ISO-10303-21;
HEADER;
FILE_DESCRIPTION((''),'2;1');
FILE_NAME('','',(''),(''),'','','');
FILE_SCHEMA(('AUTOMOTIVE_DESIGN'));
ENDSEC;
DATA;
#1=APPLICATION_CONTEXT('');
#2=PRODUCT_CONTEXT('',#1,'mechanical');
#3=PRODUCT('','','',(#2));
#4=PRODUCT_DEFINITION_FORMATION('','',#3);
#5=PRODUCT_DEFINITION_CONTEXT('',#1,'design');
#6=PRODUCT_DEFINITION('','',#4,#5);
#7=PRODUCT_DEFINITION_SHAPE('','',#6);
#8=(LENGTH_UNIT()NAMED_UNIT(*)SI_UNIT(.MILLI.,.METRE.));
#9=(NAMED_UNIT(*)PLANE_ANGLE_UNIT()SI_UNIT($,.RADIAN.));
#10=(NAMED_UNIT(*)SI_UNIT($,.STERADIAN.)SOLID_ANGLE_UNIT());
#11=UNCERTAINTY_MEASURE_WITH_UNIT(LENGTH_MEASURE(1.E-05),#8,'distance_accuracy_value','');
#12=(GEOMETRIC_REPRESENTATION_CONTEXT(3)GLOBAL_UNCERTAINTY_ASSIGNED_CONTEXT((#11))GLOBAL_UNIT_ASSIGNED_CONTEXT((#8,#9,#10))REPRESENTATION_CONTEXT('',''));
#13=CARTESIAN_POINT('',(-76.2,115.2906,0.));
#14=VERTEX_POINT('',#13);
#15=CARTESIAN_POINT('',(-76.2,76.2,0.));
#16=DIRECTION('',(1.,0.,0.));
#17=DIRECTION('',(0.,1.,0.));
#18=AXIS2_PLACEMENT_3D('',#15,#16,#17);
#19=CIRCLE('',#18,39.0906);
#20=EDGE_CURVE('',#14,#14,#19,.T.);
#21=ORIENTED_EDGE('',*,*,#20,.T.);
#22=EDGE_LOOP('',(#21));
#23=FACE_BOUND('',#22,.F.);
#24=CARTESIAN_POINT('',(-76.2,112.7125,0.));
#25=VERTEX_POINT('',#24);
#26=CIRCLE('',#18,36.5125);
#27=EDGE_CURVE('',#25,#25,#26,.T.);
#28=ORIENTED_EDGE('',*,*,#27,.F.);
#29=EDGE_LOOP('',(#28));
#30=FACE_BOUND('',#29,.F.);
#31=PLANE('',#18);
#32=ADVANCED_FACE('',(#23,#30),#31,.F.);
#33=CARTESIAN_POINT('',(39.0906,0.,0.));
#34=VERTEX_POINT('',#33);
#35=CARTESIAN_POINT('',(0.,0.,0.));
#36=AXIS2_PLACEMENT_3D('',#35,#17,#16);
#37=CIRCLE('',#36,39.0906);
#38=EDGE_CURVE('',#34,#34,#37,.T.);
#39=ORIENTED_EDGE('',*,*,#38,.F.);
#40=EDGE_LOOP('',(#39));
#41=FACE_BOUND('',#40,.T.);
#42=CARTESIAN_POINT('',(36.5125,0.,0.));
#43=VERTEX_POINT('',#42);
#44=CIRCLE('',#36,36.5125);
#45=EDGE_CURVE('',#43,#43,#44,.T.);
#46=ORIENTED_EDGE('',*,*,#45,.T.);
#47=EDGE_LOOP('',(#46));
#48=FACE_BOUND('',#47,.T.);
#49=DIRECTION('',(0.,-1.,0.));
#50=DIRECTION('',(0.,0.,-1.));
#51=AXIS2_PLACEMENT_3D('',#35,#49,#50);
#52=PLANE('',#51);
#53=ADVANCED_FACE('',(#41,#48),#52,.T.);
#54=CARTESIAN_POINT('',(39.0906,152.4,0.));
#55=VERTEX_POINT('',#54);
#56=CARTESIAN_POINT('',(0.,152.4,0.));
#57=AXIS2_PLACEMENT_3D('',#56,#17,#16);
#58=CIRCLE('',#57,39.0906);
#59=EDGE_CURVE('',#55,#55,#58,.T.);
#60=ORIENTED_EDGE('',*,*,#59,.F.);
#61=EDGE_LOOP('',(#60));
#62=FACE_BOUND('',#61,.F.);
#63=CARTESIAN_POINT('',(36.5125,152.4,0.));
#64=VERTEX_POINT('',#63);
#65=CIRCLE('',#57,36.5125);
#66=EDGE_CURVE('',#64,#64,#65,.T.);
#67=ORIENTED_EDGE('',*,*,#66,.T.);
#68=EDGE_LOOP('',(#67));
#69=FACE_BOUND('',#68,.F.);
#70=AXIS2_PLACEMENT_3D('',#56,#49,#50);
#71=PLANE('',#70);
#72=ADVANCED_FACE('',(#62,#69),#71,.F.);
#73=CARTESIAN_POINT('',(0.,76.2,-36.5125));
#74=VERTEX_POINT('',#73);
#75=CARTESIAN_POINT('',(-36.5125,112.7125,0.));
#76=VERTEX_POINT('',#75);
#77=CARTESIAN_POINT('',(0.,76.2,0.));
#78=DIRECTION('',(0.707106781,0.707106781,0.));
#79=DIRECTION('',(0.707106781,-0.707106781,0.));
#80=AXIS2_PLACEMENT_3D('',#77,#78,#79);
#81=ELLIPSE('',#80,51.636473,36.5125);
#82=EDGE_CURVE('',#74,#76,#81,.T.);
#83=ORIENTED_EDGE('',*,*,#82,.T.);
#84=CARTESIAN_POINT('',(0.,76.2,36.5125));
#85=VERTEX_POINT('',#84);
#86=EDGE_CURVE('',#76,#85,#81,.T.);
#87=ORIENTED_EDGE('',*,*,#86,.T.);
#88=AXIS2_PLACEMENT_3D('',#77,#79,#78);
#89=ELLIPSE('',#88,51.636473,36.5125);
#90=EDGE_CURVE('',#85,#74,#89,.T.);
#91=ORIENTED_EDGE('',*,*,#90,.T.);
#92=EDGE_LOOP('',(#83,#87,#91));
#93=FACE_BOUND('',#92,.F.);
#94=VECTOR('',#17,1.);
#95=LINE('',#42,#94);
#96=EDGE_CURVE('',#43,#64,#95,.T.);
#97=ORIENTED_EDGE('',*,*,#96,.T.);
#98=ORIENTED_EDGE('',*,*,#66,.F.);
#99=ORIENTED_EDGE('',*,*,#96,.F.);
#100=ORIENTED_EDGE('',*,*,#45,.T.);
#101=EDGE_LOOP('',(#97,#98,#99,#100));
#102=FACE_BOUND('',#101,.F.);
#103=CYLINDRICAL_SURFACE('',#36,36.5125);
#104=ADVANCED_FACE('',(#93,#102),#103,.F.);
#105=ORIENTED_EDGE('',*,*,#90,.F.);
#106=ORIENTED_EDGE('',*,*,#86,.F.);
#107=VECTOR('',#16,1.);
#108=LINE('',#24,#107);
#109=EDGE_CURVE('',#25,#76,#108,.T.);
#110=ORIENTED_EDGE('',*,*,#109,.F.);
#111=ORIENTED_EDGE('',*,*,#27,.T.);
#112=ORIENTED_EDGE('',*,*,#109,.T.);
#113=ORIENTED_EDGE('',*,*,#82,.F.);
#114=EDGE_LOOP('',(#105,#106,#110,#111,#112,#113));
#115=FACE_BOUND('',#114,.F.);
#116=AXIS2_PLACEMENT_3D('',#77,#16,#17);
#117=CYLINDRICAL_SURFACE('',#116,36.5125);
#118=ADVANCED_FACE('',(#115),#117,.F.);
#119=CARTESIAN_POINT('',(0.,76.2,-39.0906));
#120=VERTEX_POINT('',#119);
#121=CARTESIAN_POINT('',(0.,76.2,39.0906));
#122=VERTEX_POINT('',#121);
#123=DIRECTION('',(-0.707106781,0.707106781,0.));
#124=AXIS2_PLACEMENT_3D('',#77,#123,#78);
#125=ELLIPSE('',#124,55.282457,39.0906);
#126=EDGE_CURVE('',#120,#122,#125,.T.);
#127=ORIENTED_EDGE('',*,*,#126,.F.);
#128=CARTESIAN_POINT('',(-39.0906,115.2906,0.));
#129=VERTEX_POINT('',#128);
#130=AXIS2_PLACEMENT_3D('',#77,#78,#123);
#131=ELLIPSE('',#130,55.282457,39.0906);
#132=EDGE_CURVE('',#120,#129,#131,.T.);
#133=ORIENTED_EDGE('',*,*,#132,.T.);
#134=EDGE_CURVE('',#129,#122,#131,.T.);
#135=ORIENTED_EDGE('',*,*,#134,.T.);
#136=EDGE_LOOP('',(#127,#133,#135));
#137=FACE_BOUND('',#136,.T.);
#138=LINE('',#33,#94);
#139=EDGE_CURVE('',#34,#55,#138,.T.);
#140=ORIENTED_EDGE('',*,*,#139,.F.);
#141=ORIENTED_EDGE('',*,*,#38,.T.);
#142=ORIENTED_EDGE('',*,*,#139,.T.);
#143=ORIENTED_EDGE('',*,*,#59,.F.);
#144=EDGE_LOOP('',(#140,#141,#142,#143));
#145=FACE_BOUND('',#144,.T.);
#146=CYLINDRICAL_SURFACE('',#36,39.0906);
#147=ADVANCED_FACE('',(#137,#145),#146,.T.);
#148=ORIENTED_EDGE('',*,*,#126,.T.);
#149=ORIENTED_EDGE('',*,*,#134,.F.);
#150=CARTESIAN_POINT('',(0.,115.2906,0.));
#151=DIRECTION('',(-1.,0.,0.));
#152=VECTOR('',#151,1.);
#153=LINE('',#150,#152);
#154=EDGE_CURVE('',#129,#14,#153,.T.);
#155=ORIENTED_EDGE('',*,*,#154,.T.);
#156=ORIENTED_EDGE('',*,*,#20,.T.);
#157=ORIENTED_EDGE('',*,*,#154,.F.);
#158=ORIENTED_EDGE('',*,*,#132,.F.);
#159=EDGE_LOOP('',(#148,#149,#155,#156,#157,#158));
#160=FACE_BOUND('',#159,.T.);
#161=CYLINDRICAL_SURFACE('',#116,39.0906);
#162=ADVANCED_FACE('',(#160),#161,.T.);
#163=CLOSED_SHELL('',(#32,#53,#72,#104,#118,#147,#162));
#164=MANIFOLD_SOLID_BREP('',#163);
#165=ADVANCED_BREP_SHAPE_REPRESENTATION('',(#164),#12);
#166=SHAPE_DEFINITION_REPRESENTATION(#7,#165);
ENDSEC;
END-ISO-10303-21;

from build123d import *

# Parameters (mm, degrees)
F0_R     = 39.0906
F0_R_2   = 36.5125
F3_R     = 36.5125
F4_DEPTH = 47.498
F5_R     = 39.0906
F5_R_2   = 36.5125
F6_DEPTH = 76.2
F7_R     = 36.5125
F8_DEPTH = 156.718


with BuildPart() as f2:
    # F2: sweep along a path in F1
    with BuildLine(Plane.YZ) as f2_path:
        Line((0, 0), (152.4, 0))
    # F0 (on Front) → F2 (sweep)
    with BuildSketch(Plane.XZ):
        Circle(F0_R)
        Circle(F0_R_2, mode=Mode.SUBTRACT)
    sweep(path=f2_path.line)

    # F3 (on Right) → F4 (cut)
    with BuildSketch(Plane.YZ):
        with Locations((76.2, 0)):
            Circle(F3_R)
    extrude(amount=-F4_DEPTH, mode=Mode.SUBTRACT)

    # F5 (on Right) → F6 (join)
    with BuildSketch(Plane.YZ):
        with Locations((76.2, 0)):
            Circle(F5_R)
        with Locations((76.2, 0)):
            Circle(F5_R_2, mode=Mode.SUBTRACT)
    extrude(amount=-F6_DEPTH)

    # F7 (on Front) → F8 (cut)
    with BuildSketch(Plane.XZ):
        Circle(F7_R)
    extrude(amount=-F8_DEPTH, mode=Mode.SUBTRACT)


solid = f2.part
